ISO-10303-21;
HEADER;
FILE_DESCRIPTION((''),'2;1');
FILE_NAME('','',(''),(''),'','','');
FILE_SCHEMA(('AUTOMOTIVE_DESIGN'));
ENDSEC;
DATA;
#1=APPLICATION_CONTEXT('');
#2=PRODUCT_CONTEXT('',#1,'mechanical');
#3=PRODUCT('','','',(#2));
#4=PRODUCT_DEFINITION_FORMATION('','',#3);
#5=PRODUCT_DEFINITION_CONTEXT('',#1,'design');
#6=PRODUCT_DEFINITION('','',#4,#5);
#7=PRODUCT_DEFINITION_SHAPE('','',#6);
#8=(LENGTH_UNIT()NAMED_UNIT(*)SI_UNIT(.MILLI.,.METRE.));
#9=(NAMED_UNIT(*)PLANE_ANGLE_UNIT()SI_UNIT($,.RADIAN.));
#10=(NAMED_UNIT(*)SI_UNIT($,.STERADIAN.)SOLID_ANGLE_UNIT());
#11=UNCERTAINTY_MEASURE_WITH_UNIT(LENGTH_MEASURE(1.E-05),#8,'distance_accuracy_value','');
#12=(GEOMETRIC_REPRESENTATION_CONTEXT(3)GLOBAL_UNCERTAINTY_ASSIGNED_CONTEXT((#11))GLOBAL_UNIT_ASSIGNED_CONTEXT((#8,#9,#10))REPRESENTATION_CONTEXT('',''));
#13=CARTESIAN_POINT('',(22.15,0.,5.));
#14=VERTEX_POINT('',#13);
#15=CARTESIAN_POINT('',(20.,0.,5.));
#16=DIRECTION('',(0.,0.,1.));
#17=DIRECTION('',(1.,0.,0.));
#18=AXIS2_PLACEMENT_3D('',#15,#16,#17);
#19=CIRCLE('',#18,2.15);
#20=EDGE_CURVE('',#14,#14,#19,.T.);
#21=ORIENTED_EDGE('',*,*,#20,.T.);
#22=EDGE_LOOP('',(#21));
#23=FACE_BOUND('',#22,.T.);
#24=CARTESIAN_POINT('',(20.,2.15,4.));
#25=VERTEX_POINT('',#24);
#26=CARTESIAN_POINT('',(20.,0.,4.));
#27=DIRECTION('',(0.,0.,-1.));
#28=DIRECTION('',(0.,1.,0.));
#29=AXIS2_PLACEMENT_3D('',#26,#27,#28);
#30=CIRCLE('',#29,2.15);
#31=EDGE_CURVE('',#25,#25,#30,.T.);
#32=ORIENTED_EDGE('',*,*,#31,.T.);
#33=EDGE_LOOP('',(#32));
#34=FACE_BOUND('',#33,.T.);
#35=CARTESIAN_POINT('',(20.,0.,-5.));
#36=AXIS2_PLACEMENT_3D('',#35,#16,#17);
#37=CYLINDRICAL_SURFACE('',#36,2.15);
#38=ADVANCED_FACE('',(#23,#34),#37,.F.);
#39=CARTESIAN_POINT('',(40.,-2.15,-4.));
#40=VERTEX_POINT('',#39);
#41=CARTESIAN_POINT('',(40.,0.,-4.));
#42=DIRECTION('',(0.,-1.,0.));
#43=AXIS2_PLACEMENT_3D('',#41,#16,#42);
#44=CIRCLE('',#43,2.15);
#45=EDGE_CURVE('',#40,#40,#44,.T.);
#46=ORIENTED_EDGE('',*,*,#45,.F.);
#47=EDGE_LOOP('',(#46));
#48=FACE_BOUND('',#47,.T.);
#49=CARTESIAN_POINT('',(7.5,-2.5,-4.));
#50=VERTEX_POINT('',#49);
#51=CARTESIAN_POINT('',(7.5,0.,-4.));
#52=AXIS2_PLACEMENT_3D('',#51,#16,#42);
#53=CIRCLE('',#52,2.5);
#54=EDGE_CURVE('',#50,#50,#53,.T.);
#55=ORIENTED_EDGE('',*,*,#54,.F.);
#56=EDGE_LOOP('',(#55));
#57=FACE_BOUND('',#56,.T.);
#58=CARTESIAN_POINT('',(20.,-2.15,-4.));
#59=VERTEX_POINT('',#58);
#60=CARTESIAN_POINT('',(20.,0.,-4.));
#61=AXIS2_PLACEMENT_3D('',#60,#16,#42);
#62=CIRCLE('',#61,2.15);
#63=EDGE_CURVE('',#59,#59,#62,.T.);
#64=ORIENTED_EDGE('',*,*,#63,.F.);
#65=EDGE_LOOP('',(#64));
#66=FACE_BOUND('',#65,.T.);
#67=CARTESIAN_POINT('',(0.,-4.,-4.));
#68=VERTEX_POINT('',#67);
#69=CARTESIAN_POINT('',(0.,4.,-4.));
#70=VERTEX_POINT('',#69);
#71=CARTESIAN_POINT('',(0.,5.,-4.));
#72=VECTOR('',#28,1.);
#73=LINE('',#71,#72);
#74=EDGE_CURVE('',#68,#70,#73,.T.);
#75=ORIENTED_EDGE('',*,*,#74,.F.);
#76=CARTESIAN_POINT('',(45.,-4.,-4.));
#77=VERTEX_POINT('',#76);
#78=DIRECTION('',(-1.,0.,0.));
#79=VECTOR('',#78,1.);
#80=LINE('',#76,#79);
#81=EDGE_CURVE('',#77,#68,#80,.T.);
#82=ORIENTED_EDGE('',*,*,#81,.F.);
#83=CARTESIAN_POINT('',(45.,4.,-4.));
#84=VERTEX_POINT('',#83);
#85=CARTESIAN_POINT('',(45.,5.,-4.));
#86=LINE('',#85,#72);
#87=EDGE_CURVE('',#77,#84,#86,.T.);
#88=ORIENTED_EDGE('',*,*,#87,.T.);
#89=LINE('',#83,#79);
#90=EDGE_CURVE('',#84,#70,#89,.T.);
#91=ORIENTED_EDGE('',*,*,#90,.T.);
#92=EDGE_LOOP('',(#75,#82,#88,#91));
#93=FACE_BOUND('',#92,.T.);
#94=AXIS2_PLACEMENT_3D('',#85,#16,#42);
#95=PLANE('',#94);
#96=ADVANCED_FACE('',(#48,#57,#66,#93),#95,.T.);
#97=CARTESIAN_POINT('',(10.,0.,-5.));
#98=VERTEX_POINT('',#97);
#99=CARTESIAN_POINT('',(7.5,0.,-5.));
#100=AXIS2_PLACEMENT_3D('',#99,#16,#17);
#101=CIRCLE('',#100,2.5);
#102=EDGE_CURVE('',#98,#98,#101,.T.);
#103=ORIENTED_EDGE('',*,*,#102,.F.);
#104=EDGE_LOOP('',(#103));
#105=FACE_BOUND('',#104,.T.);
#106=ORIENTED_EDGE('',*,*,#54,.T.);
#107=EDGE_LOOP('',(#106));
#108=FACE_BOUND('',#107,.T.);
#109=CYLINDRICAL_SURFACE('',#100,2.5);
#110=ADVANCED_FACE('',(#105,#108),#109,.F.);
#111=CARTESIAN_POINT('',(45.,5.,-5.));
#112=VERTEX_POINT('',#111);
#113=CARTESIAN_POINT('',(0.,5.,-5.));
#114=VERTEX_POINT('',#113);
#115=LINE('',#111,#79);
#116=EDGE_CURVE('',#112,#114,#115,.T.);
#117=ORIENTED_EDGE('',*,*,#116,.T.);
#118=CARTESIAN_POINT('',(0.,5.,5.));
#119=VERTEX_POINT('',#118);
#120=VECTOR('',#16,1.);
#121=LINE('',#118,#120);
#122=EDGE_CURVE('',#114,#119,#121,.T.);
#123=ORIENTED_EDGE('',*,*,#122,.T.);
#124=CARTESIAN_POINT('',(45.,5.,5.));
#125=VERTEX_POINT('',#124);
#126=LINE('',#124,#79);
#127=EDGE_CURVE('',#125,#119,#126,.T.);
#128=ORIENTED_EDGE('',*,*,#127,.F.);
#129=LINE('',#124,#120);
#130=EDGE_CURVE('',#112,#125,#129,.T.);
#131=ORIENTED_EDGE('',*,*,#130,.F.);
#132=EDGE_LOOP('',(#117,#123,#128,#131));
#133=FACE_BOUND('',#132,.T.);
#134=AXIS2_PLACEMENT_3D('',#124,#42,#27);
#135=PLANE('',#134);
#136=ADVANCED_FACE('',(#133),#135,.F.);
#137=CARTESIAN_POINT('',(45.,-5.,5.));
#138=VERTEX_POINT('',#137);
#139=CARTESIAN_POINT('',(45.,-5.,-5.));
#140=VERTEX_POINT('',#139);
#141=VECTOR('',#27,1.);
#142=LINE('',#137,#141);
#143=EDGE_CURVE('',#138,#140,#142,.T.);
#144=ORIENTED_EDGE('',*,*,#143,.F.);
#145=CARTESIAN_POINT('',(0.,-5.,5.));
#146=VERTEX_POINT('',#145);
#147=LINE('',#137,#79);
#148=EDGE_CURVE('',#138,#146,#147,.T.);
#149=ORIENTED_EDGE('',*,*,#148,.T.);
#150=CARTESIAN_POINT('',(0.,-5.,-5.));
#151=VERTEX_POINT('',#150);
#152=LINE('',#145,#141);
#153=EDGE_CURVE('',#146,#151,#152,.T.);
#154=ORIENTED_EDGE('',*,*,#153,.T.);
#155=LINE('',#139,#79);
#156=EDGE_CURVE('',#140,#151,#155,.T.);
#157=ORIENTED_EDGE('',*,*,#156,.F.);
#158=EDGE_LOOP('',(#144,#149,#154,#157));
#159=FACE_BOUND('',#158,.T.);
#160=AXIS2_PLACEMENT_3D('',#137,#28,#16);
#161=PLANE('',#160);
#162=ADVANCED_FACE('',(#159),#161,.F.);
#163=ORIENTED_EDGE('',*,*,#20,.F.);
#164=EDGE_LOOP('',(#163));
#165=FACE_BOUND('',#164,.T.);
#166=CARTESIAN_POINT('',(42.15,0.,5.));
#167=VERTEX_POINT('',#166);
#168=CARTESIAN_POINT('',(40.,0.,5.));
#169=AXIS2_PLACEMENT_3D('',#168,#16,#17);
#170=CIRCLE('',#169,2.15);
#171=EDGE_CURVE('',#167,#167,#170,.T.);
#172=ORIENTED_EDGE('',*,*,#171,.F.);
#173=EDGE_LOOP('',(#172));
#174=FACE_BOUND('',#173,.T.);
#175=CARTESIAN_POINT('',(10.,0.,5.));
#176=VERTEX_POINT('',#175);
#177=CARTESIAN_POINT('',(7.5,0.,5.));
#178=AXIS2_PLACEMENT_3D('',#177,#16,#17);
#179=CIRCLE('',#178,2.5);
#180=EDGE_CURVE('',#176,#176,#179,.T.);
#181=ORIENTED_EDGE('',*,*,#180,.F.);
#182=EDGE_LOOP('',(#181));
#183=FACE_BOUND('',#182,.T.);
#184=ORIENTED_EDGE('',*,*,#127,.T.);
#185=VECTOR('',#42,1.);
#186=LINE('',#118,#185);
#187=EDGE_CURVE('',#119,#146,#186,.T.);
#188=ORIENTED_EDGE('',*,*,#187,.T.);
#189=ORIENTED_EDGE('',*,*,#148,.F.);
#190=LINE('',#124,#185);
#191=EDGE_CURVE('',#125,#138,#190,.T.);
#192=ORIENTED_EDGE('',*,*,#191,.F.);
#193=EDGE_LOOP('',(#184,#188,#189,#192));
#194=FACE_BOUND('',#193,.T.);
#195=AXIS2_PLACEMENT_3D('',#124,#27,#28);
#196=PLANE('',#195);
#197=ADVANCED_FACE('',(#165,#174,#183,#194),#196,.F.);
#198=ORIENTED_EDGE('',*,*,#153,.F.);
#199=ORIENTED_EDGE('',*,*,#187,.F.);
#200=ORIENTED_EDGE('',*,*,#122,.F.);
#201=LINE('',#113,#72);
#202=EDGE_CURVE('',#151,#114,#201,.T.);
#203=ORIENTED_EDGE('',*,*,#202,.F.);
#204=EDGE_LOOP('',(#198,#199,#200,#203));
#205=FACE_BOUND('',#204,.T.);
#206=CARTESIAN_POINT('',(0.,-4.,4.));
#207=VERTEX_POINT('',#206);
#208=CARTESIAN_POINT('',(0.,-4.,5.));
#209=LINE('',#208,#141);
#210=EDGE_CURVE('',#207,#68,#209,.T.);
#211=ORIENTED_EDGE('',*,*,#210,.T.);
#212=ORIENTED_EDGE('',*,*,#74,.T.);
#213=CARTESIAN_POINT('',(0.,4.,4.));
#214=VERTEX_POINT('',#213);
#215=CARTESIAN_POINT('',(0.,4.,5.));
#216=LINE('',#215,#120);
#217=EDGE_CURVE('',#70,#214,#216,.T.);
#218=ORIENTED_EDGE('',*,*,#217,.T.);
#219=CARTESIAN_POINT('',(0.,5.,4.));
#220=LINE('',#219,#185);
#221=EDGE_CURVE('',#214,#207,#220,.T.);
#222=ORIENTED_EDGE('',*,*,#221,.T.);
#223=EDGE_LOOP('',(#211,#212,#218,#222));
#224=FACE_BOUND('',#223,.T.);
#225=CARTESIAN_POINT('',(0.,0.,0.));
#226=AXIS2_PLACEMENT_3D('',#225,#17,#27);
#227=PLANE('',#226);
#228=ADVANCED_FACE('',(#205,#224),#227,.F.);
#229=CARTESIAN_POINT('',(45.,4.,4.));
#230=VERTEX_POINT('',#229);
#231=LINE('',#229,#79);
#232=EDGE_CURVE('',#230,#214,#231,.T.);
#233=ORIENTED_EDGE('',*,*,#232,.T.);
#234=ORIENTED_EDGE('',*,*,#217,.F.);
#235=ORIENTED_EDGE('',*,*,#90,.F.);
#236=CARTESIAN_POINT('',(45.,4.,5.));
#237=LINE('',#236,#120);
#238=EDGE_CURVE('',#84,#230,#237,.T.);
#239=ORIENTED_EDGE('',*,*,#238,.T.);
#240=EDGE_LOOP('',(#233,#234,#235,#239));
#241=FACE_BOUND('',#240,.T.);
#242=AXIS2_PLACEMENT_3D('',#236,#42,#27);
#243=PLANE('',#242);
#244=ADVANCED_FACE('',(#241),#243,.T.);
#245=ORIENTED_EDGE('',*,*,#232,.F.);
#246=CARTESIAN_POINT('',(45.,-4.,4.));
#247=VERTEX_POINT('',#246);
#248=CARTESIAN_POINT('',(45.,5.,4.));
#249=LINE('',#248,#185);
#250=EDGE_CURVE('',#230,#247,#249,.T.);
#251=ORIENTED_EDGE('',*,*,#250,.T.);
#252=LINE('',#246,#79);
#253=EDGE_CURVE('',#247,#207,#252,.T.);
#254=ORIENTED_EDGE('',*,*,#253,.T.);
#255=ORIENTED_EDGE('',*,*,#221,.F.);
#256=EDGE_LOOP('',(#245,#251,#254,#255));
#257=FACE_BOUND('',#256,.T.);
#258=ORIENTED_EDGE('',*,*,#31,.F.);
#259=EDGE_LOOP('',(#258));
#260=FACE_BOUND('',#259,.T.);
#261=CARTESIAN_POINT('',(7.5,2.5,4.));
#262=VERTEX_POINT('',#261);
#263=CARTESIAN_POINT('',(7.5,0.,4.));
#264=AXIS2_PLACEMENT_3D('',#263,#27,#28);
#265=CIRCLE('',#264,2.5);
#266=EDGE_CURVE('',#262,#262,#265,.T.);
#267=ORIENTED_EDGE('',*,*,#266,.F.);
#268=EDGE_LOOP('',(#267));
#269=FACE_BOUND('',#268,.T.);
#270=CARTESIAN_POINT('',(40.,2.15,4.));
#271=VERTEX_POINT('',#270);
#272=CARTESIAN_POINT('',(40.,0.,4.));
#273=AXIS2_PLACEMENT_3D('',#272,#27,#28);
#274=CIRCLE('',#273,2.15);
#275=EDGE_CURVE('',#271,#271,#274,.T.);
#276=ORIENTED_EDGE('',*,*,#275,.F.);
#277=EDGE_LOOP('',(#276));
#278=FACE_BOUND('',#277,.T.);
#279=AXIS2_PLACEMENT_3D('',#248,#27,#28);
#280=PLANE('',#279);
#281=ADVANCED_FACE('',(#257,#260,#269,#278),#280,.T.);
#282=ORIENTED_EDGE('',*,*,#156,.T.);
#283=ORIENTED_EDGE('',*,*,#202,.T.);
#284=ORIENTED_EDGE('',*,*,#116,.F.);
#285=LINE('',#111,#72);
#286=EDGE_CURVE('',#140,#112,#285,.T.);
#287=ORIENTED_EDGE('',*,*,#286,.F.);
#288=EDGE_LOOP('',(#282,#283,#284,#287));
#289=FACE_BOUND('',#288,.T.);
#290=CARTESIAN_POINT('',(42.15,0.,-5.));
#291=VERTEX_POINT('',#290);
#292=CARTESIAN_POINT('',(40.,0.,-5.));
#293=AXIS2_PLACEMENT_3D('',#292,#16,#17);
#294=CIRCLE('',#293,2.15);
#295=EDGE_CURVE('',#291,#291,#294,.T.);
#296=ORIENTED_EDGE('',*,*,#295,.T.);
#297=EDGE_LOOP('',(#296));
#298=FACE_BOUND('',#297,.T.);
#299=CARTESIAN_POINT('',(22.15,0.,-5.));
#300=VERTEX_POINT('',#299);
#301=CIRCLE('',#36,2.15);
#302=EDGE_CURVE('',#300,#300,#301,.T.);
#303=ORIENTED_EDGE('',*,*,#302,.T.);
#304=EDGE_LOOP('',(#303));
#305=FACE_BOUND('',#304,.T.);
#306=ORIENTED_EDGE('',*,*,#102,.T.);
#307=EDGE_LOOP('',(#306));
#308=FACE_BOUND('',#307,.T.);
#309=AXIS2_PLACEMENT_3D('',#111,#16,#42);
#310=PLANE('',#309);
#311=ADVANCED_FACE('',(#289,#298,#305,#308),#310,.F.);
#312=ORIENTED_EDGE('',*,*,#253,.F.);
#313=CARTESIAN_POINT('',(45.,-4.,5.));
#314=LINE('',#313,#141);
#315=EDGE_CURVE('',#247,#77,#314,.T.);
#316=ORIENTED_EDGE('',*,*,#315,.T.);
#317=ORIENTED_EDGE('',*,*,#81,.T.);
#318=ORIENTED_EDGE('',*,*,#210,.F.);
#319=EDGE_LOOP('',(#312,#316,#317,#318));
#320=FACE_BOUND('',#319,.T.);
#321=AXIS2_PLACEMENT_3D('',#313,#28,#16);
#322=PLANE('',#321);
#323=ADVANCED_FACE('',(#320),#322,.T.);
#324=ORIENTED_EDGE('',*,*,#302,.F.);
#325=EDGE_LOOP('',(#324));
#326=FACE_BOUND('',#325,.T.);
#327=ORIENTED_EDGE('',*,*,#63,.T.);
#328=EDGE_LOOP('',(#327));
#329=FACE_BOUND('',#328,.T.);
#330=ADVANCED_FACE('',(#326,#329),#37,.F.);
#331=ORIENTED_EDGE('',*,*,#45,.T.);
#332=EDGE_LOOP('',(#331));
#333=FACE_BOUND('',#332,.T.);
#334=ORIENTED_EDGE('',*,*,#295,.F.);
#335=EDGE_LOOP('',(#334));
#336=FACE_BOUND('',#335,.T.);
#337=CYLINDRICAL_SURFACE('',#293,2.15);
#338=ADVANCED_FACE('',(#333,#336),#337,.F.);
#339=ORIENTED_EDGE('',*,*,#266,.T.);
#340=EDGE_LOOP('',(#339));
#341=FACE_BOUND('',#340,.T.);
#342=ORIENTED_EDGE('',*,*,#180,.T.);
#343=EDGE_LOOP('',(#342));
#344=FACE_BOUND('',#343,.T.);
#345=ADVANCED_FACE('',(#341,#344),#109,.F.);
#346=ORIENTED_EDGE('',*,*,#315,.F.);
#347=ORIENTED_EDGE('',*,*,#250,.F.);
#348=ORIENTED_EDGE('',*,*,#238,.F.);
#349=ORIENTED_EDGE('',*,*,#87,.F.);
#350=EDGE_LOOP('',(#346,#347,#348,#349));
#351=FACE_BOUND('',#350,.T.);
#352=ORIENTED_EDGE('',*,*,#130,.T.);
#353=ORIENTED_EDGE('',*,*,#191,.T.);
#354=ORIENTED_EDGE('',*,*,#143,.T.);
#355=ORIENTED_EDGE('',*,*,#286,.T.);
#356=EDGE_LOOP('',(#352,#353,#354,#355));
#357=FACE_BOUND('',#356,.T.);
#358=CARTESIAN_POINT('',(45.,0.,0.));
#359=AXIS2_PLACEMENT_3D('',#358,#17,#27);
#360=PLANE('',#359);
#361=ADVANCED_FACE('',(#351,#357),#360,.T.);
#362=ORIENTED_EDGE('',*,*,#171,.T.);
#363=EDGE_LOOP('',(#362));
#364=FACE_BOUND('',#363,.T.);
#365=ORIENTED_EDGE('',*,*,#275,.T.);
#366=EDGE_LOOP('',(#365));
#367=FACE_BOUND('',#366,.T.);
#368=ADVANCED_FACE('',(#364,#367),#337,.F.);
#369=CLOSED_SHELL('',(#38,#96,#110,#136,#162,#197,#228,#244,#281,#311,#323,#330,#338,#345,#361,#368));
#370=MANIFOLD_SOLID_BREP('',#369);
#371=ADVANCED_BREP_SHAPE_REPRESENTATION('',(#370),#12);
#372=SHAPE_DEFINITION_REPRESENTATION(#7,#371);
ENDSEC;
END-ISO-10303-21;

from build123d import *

# Parameters (mm, degrees)
SKETCH_1_W          = 10
SKETCH_1_H          = 10
SKETCH_1_W_2        = 8
SKETCH_1_H_2        = 8
EXTRUDE_1_DEPTH     = 45
SKETCH_2_R          = 2.15
SKETCH_2_R_2        = 2.5
CUT_EXTRUDE_1_DEPTH = 47.368092477


with BuildPart() as part:
    # ｽｹｯﾁ1 → 押し出し-薄板1 (new body)
    with BuildSketch(Plane(origin=(0, 0, 0), x_dir=(0, 0, -1), z_dir=(1, 0, 0))):
        Rectangle(SKETCH_1_W, SKETCH_1_H)
        Rectangle(SKETCH_1_W_2, SKETCH_1_H_2, mode=Mode.SUBTRACT)
    extrude(amount=EXTRUDE_1_DEPTH)

    # ｽｹｯﾁ2 → ｶｯﾄ - 押し出し1 (cut, through all)
    with BuildSketch(Plane.XY.offset(5)):
        with Locations((40, 0)):
            Circle(SKETCH_2_R)
        with Locations((20, 0)):
            Circle(SKETCH_2_R)
        with Locations((7.5, 0)):
            Circle(SKETCH_2_R_2)
    extrude(amount=-CUT_EXTRUDE_1_DEPTH, mode=Mode.SUBTRACT)


solid = part.part
